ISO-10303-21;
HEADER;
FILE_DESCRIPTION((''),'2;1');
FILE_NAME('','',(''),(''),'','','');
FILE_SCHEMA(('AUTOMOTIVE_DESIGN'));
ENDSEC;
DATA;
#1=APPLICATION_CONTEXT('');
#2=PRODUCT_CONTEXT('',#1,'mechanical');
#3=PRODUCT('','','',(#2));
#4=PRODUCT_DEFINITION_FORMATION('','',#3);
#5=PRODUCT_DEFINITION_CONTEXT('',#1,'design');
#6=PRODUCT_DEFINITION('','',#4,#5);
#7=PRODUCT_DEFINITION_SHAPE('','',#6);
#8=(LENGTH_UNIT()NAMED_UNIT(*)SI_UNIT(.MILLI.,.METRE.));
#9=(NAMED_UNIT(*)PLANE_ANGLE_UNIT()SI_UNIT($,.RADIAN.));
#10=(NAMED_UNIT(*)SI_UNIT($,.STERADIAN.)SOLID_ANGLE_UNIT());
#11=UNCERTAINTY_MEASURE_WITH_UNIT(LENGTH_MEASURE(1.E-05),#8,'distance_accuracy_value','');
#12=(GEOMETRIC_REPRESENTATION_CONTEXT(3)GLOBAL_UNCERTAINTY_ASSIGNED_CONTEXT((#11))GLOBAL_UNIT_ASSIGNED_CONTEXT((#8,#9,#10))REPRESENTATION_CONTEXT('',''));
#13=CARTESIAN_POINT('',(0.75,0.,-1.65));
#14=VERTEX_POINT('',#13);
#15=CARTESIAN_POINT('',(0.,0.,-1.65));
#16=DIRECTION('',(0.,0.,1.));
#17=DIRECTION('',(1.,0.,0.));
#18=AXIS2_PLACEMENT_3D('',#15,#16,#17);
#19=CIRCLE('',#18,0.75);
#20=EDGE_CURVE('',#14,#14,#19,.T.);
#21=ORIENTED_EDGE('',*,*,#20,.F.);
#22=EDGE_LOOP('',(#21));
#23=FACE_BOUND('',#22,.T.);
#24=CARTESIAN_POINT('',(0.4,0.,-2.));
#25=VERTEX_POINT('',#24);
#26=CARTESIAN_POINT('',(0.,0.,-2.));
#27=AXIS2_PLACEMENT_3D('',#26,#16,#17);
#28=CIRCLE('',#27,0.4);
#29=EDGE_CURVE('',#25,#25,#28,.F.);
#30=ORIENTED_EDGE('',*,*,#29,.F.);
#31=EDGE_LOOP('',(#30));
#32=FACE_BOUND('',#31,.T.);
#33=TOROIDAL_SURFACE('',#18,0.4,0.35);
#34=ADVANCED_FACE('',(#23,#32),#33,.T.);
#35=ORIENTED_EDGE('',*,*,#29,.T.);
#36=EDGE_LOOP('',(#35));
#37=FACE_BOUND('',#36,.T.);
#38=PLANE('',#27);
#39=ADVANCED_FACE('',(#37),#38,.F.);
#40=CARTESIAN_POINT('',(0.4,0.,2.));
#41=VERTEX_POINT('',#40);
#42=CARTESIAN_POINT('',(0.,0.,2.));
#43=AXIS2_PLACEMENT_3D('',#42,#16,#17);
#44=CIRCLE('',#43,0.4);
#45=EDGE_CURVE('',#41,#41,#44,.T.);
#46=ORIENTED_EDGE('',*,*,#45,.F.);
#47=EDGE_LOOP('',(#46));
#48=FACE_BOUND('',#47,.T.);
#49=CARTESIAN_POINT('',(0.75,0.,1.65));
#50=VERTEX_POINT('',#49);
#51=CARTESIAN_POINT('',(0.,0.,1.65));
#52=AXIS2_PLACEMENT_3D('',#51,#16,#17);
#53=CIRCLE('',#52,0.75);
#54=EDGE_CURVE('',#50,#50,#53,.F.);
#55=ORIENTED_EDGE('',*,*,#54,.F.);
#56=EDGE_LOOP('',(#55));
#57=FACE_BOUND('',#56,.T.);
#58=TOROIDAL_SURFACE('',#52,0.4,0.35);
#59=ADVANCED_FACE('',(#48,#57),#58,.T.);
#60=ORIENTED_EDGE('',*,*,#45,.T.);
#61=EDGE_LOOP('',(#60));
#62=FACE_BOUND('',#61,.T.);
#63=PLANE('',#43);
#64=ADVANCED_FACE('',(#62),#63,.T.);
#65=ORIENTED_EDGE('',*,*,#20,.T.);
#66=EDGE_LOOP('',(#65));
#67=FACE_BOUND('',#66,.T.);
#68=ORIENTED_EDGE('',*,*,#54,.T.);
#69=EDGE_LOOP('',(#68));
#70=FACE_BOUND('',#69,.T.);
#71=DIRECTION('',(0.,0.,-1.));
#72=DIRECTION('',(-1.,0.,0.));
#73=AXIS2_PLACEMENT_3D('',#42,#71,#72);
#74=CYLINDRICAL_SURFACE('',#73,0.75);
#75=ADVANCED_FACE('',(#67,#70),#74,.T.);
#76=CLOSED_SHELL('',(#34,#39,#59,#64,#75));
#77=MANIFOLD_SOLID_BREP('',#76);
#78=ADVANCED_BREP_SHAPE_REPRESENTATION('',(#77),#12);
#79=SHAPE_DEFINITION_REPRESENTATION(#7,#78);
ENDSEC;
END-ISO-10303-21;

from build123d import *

# Parameters (mm, degrees)
SKETCH1_R           = 0.75
BOSS_EXTRUDE1_DEPTH = 2
FILLET1_R           = 0.35


with BuildPart() as part:
    # Sketch1 → Boss-Extrude1 (new body, symmetric)
    with BuildSketch(Plane.XY):
        Circle(SKETCH1_R)
    extrude(amount=BOSS_EXTRUDE1_DEPTH, both=True)

    # Fillet1
    fillet1_edges = [part.edges().sort_by_distance(p)[0] for p in [
        (-0.75, 0, -2),
        (-0.75, 0, 2),
    ]]
    fillet(fillet1_edges, radius=FILLET1_R)


solid = part.part
